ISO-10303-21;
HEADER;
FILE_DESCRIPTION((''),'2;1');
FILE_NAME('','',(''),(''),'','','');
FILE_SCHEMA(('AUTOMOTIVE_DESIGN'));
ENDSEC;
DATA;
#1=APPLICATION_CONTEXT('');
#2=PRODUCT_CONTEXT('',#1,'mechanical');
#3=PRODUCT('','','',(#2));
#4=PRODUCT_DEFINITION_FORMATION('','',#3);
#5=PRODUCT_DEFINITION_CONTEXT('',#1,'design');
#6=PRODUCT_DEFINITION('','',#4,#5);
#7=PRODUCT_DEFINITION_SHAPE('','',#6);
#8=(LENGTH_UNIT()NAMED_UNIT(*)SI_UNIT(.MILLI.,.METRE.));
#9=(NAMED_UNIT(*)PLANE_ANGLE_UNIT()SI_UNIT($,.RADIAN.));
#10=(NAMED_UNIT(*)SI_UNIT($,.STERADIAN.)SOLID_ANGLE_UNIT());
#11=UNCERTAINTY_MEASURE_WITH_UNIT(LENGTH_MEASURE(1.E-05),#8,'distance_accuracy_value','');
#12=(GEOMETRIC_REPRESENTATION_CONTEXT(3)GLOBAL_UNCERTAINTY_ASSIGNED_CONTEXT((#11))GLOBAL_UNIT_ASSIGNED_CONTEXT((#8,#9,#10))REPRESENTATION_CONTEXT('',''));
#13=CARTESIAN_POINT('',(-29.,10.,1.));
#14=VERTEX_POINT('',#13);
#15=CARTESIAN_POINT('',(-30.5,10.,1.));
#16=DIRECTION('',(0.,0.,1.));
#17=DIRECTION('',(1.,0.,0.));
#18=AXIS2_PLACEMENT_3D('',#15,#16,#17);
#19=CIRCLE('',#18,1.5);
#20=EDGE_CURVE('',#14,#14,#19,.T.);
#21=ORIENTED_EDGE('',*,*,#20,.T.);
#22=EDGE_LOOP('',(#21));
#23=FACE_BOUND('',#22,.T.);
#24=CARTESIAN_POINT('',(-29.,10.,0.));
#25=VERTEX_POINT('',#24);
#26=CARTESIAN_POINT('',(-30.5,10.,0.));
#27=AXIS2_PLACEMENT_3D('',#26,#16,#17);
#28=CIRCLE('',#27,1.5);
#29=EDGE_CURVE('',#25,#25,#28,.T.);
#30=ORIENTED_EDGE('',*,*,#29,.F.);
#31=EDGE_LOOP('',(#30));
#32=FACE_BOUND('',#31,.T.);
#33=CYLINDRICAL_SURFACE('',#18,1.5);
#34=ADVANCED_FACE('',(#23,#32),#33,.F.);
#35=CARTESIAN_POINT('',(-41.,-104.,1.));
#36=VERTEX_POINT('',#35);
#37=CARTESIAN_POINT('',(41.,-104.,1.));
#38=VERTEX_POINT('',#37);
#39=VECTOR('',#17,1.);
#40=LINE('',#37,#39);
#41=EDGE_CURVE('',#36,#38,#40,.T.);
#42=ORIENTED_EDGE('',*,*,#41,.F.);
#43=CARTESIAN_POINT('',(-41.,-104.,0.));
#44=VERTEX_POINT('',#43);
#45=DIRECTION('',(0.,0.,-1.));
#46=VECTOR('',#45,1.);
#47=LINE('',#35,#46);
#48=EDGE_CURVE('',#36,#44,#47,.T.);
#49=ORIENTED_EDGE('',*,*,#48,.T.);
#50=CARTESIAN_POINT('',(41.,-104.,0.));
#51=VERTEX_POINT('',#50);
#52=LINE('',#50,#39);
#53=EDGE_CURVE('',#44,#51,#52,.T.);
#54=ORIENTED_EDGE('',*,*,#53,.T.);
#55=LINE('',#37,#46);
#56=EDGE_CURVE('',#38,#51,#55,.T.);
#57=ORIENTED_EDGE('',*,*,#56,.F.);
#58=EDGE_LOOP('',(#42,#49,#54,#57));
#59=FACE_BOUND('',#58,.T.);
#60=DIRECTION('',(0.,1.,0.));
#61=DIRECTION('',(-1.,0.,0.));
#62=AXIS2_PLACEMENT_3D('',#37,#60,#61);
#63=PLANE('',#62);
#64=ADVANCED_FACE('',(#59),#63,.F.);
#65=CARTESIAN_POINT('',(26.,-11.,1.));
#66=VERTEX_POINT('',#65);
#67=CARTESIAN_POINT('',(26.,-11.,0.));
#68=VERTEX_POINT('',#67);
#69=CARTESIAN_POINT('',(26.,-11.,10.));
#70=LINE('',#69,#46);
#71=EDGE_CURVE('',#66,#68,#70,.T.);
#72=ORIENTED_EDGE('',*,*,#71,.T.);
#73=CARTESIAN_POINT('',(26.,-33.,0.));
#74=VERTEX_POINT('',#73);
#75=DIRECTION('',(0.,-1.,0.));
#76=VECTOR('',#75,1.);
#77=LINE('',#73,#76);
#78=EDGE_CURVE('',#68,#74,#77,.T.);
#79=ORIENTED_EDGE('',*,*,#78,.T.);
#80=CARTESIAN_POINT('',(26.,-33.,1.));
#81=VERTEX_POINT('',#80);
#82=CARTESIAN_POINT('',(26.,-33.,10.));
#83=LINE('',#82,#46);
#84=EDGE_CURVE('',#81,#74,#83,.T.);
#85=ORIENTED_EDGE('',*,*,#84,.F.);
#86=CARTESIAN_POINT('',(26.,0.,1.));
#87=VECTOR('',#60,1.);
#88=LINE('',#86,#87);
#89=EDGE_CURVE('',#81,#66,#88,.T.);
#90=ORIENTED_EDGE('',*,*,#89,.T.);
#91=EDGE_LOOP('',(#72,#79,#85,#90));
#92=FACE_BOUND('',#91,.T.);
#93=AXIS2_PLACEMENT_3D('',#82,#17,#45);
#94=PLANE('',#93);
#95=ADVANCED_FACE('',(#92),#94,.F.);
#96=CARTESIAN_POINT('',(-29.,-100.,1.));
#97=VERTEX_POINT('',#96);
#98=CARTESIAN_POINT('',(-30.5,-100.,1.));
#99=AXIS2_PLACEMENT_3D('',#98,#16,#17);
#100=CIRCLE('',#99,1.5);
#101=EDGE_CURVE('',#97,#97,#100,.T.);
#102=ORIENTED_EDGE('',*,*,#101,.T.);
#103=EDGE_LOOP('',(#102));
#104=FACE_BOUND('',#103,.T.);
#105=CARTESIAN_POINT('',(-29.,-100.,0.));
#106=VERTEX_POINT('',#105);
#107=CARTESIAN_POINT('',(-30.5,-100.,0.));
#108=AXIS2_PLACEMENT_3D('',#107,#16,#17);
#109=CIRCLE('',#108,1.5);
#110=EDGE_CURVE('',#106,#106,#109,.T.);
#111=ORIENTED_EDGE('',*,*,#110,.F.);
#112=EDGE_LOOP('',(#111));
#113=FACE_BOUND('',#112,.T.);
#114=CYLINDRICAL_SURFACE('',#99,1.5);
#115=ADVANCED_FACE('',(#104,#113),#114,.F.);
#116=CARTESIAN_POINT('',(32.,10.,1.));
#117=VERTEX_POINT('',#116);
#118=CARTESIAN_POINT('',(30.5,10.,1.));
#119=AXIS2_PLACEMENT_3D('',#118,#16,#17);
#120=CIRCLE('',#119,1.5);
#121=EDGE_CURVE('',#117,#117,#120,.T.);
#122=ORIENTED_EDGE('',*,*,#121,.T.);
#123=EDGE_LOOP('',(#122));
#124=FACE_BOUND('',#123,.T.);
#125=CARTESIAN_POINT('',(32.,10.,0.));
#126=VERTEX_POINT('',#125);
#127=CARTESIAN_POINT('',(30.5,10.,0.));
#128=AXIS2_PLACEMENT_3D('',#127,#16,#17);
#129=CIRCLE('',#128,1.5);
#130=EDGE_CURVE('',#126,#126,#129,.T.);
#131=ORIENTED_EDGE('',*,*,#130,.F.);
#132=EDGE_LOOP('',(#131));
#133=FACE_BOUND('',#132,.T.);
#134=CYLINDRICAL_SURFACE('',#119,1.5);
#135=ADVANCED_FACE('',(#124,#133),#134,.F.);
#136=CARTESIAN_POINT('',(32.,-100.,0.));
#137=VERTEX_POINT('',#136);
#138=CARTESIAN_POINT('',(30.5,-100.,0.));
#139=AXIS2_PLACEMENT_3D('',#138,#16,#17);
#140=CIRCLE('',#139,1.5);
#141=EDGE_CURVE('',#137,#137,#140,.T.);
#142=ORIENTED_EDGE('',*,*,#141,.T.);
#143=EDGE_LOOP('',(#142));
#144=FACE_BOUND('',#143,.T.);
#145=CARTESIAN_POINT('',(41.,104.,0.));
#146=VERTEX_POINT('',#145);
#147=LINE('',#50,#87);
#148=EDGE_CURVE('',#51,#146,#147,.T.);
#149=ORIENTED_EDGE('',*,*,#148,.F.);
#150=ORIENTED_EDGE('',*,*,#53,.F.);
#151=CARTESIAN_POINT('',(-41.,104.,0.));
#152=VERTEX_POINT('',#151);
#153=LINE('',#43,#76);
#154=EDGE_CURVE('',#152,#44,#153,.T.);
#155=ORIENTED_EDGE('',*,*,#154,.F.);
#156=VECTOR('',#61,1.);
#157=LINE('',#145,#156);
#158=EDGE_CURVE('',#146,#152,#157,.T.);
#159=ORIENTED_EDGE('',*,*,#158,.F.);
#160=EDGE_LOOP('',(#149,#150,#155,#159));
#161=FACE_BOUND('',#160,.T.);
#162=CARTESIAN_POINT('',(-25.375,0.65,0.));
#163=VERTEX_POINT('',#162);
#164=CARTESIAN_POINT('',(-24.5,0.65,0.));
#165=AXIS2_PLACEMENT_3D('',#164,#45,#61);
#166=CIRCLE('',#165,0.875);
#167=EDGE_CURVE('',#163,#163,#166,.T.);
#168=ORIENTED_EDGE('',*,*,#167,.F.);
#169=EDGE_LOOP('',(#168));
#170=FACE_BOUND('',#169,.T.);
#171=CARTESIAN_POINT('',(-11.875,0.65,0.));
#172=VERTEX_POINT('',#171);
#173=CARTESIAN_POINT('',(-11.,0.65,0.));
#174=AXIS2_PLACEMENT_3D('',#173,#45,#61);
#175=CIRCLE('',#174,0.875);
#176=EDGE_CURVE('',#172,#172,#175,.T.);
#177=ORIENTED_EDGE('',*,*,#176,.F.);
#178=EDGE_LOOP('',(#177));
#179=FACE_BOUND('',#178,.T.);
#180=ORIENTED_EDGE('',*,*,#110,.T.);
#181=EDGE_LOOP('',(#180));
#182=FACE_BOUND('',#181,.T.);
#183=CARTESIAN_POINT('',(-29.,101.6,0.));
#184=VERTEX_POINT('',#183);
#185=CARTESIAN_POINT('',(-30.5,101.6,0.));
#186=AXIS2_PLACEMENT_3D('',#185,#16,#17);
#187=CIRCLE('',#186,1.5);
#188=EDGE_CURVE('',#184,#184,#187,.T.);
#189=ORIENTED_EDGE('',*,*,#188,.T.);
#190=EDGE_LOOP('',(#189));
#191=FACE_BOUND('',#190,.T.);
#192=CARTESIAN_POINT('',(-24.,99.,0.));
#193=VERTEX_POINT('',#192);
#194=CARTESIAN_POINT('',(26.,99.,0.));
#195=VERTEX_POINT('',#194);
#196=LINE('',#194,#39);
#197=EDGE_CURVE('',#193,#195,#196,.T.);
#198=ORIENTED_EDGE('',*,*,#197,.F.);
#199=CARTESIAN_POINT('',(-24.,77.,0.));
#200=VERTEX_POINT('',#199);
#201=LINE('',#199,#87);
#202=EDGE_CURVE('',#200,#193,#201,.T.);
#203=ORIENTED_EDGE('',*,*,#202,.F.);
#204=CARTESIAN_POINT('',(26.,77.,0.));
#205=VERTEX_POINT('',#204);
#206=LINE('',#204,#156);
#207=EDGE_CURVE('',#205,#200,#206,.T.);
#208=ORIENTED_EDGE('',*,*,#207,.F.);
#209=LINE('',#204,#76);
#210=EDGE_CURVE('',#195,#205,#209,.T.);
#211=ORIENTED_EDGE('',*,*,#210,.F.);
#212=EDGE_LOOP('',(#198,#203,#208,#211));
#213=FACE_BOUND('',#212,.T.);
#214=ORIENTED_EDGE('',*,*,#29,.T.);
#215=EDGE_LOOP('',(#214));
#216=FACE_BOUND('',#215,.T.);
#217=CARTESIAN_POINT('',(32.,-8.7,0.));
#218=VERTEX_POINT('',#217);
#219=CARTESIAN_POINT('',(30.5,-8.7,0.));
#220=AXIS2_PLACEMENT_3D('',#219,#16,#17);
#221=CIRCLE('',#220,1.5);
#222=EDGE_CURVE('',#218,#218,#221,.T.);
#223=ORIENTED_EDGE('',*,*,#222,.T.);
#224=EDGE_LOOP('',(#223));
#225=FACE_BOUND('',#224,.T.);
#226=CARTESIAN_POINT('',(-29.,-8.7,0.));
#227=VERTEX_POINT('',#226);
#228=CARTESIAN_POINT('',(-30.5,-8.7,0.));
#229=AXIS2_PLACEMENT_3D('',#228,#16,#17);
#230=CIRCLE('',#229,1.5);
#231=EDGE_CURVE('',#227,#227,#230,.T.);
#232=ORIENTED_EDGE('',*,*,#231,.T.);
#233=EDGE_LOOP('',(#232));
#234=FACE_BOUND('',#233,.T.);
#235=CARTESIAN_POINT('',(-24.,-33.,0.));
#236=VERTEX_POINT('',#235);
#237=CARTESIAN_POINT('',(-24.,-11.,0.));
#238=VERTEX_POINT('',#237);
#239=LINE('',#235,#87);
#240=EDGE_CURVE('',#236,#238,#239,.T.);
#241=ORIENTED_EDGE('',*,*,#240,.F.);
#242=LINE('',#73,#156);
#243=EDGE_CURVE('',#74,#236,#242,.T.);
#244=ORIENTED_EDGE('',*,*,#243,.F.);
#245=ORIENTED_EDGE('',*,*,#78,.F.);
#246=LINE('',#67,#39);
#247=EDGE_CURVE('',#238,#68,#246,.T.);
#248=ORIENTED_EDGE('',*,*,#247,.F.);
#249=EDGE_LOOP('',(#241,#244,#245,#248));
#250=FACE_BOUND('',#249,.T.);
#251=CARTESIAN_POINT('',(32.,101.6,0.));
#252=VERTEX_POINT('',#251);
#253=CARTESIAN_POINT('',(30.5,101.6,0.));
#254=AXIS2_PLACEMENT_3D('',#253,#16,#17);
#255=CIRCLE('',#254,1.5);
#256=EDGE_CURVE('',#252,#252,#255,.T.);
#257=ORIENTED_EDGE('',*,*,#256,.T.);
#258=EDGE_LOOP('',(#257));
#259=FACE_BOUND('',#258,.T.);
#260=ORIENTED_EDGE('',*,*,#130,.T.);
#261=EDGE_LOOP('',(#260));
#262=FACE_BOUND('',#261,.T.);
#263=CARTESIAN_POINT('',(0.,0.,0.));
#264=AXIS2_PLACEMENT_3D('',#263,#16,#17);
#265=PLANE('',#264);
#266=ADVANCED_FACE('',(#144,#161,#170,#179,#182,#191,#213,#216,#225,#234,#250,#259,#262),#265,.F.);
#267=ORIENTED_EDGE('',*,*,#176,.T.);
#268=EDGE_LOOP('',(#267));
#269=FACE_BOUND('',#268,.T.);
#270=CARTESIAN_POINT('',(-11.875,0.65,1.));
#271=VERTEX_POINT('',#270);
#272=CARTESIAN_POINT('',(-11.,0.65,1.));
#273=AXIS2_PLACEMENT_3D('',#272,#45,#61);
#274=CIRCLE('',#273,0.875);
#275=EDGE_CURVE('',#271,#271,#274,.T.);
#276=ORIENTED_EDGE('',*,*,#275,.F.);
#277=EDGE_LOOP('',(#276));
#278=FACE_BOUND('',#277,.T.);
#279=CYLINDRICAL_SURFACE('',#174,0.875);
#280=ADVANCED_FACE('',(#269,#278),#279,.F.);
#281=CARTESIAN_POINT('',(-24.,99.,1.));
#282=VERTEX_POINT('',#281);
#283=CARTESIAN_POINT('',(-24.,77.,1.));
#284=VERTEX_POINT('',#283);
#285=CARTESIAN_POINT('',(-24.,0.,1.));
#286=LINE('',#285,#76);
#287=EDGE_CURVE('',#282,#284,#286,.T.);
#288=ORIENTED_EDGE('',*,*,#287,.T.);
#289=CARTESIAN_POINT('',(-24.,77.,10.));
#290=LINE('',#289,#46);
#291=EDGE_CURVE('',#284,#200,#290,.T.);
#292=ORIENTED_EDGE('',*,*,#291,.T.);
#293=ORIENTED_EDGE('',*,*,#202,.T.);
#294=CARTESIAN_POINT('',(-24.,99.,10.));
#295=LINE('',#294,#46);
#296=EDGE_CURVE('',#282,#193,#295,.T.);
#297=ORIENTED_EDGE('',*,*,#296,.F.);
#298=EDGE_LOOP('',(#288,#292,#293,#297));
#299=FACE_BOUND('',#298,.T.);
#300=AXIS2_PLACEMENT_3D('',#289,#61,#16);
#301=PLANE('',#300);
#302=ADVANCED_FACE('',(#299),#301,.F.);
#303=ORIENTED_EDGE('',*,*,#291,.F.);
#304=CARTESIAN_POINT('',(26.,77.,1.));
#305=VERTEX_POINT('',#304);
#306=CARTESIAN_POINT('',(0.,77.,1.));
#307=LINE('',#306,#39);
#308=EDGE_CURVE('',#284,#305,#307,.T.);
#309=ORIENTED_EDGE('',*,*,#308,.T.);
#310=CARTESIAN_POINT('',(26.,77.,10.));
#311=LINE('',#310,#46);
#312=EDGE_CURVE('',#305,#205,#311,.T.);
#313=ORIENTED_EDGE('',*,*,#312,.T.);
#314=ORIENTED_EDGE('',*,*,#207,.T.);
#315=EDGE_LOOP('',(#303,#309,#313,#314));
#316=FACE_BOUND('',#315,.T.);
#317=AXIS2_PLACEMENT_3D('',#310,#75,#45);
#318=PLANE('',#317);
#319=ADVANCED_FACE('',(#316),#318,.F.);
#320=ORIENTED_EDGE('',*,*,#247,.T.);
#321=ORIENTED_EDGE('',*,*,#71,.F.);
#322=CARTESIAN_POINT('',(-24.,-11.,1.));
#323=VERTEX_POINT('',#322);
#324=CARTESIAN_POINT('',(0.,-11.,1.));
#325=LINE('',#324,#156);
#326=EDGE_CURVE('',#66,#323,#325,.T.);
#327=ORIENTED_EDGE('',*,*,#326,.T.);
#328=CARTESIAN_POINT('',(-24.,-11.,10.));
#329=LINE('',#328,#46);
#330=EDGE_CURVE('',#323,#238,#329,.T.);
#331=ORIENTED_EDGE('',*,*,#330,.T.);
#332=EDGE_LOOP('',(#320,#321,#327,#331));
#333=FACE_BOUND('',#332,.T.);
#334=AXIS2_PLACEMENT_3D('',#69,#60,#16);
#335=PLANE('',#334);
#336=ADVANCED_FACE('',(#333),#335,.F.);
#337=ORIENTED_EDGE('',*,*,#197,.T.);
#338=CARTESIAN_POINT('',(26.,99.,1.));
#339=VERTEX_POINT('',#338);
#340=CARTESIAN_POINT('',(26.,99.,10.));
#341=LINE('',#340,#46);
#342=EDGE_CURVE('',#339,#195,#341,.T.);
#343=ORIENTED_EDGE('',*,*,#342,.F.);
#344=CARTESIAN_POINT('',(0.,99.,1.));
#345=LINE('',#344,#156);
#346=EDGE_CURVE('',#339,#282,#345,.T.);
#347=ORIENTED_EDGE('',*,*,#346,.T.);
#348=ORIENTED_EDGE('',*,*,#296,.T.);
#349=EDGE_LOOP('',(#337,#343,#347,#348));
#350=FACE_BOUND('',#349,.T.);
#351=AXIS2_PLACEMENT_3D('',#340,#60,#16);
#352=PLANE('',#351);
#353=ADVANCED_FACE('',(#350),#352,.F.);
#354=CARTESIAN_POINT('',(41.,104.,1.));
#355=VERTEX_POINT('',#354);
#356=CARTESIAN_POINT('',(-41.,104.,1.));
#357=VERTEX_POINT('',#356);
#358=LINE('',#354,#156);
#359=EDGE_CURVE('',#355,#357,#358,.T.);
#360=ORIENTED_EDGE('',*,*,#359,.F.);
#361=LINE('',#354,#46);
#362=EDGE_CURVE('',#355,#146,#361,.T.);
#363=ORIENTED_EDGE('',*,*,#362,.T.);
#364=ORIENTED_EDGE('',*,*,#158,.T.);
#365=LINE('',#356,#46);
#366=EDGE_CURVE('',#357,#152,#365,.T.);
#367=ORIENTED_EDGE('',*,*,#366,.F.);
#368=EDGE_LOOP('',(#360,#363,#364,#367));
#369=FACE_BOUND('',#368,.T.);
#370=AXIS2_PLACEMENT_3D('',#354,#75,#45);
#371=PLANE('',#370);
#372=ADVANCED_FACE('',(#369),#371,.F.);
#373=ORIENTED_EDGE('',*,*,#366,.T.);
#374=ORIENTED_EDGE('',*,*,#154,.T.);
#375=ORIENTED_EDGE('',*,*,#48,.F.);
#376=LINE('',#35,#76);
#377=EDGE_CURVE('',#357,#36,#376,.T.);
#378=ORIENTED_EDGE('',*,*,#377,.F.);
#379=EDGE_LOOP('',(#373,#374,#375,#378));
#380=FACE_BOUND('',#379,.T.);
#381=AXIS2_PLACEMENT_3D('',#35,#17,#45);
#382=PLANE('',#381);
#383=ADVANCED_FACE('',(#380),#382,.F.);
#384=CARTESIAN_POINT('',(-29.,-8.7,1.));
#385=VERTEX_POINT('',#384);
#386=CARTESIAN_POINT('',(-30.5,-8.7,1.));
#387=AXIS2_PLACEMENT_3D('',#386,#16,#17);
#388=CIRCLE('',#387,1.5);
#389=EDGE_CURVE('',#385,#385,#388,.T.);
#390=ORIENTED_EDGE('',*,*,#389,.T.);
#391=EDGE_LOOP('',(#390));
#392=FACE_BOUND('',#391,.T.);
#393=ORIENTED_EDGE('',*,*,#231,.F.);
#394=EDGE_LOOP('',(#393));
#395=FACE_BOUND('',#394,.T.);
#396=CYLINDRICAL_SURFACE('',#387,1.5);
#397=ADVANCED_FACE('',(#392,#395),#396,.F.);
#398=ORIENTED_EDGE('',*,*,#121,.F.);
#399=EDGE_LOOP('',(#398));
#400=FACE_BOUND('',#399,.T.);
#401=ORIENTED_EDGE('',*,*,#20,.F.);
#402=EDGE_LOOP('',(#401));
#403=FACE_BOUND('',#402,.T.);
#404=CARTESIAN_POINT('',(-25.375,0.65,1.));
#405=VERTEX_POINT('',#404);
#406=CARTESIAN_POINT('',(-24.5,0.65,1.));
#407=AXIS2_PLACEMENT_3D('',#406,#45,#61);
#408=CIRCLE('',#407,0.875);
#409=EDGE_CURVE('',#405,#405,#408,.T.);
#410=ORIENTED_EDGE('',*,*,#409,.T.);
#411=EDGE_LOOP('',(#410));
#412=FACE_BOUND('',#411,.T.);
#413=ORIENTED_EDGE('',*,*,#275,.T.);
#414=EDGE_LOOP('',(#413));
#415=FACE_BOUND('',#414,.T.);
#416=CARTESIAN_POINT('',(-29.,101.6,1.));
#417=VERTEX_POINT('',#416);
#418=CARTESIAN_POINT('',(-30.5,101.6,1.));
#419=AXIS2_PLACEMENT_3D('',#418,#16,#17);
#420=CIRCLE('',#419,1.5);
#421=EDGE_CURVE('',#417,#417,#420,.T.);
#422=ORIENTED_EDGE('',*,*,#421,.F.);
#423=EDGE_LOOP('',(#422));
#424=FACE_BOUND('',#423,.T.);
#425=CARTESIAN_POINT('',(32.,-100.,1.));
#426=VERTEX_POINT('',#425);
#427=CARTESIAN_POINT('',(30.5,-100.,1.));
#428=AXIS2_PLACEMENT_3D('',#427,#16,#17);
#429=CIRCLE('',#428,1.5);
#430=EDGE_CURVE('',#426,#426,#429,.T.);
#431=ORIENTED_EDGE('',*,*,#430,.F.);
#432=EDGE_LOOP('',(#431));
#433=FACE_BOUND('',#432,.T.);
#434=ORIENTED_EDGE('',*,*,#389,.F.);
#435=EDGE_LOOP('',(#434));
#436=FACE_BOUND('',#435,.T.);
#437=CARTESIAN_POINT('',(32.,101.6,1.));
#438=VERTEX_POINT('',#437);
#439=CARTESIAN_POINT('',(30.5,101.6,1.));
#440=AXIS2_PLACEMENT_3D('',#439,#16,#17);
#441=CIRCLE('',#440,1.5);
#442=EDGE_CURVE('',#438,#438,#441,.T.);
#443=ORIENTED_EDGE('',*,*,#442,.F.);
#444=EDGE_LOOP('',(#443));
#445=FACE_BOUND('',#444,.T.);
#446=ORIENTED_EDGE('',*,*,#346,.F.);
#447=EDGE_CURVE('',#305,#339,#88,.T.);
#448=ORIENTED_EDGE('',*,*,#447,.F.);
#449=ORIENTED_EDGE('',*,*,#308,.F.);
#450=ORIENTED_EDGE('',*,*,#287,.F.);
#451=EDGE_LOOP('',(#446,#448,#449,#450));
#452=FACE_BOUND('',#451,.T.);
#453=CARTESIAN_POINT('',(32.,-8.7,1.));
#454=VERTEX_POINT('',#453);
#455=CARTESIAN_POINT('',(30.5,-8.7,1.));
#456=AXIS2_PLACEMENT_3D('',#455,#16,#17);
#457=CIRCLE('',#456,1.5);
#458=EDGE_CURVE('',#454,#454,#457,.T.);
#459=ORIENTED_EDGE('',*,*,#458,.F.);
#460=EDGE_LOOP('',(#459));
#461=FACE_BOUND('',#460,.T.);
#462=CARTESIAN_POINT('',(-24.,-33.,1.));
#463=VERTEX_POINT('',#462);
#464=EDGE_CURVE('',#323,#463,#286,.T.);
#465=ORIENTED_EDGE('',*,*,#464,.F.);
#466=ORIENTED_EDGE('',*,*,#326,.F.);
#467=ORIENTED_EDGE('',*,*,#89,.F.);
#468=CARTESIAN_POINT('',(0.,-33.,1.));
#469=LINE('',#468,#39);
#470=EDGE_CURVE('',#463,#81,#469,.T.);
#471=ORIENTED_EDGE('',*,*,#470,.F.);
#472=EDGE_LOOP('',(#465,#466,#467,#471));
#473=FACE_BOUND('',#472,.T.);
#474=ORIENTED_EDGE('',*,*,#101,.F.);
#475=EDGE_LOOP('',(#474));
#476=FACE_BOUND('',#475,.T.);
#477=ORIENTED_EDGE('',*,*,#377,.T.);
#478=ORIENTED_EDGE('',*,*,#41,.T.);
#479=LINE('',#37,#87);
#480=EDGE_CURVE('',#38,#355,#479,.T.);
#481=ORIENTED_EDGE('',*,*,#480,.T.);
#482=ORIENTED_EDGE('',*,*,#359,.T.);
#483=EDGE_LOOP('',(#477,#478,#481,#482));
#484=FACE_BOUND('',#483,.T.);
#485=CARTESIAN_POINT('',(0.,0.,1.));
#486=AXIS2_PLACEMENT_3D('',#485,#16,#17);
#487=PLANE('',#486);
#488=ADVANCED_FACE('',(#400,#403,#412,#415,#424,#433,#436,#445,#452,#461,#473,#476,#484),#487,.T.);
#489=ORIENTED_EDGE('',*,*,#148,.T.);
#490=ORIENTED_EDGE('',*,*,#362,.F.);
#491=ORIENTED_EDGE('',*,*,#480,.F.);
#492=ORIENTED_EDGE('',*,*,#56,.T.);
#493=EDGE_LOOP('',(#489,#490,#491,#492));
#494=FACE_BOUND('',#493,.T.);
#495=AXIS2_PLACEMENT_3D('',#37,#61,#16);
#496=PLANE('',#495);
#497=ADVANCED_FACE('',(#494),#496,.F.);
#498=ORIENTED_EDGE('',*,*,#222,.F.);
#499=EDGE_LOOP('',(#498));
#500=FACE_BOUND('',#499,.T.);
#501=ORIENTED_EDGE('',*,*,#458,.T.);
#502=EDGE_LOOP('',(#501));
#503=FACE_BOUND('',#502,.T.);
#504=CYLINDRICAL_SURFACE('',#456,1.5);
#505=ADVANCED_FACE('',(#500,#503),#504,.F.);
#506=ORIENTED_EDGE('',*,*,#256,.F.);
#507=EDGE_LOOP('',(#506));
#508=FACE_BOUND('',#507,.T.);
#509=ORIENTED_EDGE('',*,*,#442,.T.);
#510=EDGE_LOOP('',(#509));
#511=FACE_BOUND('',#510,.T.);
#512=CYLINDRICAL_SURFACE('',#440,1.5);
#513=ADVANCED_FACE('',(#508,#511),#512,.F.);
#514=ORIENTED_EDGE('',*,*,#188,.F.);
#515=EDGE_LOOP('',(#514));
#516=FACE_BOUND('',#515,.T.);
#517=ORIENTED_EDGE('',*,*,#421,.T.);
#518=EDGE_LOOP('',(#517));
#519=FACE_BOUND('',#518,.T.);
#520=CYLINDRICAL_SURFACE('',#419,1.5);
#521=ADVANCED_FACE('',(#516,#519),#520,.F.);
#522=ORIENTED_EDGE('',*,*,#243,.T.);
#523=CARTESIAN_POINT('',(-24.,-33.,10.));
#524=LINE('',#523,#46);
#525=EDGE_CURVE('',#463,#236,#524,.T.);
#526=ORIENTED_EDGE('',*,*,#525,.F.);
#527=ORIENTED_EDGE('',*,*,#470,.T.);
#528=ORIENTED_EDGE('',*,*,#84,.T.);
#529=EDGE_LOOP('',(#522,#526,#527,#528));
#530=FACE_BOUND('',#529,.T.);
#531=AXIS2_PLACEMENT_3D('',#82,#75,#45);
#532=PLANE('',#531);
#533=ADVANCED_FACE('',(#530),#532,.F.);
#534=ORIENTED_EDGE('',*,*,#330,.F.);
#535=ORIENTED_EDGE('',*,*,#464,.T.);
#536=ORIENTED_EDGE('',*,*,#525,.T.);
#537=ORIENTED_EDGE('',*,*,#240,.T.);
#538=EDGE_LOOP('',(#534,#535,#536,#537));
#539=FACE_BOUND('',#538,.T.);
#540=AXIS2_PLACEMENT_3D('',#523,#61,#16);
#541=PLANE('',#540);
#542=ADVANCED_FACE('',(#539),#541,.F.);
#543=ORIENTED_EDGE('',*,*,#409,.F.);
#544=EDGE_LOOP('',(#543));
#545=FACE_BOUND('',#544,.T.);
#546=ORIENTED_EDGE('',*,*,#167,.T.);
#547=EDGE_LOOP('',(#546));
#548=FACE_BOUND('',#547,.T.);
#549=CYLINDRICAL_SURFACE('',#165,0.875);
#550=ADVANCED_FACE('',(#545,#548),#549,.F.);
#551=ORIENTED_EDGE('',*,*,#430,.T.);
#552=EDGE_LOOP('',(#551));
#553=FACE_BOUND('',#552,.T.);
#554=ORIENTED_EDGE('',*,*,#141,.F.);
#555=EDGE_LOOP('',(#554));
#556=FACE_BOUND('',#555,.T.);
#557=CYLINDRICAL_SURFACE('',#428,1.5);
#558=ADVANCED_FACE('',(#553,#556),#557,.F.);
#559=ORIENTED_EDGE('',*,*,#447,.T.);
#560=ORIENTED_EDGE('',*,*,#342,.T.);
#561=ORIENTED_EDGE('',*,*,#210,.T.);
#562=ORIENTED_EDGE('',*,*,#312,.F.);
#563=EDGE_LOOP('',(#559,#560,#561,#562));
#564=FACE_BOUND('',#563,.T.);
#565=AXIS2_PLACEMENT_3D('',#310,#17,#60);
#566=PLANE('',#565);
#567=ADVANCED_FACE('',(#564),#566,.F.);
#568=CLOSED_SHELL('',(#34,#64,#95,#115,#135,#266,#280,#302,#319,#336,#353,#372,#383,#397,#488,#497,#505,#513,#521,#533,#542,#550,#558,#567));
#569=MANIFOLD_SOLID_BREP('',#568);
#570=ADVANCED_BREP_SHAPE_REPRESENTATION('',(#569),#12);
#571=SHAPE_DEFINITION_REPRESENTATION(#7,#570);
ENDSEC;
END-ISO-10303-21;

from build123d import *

# Parameters (mm, degrees)
SKETCH1_W                    = 82
SKETCH1_H                    = 208
BOSS_EXTRUDE1_DEPTH          = 1
F_3_0_3_DIAMETER_HOLE1_D     = 3
SKETCH7_W                    = 50
SKETCH7_H                    = 22
CUT_EXTRUDE1_DEPTH           = 10
F_1_75_1_75_DIAMETER_HOLE1_D = 1.75


with BuildPart() as part:
    # Sketch1 → Boss-Extrude1 (new body)
    with BuildSketch(Plane.XY):
        Rectangle(SKETCH1_W, SKETCH1_H)
    extrude(amount=BOSS_EXTRUDE1_DEPTH)

    # Ø3.0 (3) Diameter Hole1 (through all)
    with Locations(Plane.XY.offset(1)):
        with Locations((-30.5, 10), (30.5, 10), (30.5, -100), (-30.5, -100), (-30.5, 101.59999968), (30.5, 101.59999968), (30.5, -8.7), (-30.5, -8.7)):
            Hole(F_3_0_3_DIAMETER_HOLE1_D / 2)

    # Sketch7 → Cut-Extrude1 (cut)
    with BuildSketch(Plane(origin=(0, 0, 0), x_dir=(-1, 0, 0), z_dir=(0, 0, -1))):
        with Locations((-1, -22)):
            Rectangle(SKETCH7_W, SKETCH7_H)
        with Locations((-1, 88)):
            Rectangle(SKETCH7_W, SKETCH7_H)
    extrude(amount=-CUT_EXTRUDE1_DEPTH, mode=Mode.SUBTRACT)

    # Ø1.75 (1.75) Diameter Hole1 (through all)
    with Locations(Plane(origin=(0, 0, 0), x_dir=(-1, 0, 0), z_dir=(0, 0, -1))):
        with Locations((24.5, 0.65), (11, 0.65)):
            Hole(F_1_75_1_75_DIAMETER_HOLE1_D / 2)


solid = part.part
